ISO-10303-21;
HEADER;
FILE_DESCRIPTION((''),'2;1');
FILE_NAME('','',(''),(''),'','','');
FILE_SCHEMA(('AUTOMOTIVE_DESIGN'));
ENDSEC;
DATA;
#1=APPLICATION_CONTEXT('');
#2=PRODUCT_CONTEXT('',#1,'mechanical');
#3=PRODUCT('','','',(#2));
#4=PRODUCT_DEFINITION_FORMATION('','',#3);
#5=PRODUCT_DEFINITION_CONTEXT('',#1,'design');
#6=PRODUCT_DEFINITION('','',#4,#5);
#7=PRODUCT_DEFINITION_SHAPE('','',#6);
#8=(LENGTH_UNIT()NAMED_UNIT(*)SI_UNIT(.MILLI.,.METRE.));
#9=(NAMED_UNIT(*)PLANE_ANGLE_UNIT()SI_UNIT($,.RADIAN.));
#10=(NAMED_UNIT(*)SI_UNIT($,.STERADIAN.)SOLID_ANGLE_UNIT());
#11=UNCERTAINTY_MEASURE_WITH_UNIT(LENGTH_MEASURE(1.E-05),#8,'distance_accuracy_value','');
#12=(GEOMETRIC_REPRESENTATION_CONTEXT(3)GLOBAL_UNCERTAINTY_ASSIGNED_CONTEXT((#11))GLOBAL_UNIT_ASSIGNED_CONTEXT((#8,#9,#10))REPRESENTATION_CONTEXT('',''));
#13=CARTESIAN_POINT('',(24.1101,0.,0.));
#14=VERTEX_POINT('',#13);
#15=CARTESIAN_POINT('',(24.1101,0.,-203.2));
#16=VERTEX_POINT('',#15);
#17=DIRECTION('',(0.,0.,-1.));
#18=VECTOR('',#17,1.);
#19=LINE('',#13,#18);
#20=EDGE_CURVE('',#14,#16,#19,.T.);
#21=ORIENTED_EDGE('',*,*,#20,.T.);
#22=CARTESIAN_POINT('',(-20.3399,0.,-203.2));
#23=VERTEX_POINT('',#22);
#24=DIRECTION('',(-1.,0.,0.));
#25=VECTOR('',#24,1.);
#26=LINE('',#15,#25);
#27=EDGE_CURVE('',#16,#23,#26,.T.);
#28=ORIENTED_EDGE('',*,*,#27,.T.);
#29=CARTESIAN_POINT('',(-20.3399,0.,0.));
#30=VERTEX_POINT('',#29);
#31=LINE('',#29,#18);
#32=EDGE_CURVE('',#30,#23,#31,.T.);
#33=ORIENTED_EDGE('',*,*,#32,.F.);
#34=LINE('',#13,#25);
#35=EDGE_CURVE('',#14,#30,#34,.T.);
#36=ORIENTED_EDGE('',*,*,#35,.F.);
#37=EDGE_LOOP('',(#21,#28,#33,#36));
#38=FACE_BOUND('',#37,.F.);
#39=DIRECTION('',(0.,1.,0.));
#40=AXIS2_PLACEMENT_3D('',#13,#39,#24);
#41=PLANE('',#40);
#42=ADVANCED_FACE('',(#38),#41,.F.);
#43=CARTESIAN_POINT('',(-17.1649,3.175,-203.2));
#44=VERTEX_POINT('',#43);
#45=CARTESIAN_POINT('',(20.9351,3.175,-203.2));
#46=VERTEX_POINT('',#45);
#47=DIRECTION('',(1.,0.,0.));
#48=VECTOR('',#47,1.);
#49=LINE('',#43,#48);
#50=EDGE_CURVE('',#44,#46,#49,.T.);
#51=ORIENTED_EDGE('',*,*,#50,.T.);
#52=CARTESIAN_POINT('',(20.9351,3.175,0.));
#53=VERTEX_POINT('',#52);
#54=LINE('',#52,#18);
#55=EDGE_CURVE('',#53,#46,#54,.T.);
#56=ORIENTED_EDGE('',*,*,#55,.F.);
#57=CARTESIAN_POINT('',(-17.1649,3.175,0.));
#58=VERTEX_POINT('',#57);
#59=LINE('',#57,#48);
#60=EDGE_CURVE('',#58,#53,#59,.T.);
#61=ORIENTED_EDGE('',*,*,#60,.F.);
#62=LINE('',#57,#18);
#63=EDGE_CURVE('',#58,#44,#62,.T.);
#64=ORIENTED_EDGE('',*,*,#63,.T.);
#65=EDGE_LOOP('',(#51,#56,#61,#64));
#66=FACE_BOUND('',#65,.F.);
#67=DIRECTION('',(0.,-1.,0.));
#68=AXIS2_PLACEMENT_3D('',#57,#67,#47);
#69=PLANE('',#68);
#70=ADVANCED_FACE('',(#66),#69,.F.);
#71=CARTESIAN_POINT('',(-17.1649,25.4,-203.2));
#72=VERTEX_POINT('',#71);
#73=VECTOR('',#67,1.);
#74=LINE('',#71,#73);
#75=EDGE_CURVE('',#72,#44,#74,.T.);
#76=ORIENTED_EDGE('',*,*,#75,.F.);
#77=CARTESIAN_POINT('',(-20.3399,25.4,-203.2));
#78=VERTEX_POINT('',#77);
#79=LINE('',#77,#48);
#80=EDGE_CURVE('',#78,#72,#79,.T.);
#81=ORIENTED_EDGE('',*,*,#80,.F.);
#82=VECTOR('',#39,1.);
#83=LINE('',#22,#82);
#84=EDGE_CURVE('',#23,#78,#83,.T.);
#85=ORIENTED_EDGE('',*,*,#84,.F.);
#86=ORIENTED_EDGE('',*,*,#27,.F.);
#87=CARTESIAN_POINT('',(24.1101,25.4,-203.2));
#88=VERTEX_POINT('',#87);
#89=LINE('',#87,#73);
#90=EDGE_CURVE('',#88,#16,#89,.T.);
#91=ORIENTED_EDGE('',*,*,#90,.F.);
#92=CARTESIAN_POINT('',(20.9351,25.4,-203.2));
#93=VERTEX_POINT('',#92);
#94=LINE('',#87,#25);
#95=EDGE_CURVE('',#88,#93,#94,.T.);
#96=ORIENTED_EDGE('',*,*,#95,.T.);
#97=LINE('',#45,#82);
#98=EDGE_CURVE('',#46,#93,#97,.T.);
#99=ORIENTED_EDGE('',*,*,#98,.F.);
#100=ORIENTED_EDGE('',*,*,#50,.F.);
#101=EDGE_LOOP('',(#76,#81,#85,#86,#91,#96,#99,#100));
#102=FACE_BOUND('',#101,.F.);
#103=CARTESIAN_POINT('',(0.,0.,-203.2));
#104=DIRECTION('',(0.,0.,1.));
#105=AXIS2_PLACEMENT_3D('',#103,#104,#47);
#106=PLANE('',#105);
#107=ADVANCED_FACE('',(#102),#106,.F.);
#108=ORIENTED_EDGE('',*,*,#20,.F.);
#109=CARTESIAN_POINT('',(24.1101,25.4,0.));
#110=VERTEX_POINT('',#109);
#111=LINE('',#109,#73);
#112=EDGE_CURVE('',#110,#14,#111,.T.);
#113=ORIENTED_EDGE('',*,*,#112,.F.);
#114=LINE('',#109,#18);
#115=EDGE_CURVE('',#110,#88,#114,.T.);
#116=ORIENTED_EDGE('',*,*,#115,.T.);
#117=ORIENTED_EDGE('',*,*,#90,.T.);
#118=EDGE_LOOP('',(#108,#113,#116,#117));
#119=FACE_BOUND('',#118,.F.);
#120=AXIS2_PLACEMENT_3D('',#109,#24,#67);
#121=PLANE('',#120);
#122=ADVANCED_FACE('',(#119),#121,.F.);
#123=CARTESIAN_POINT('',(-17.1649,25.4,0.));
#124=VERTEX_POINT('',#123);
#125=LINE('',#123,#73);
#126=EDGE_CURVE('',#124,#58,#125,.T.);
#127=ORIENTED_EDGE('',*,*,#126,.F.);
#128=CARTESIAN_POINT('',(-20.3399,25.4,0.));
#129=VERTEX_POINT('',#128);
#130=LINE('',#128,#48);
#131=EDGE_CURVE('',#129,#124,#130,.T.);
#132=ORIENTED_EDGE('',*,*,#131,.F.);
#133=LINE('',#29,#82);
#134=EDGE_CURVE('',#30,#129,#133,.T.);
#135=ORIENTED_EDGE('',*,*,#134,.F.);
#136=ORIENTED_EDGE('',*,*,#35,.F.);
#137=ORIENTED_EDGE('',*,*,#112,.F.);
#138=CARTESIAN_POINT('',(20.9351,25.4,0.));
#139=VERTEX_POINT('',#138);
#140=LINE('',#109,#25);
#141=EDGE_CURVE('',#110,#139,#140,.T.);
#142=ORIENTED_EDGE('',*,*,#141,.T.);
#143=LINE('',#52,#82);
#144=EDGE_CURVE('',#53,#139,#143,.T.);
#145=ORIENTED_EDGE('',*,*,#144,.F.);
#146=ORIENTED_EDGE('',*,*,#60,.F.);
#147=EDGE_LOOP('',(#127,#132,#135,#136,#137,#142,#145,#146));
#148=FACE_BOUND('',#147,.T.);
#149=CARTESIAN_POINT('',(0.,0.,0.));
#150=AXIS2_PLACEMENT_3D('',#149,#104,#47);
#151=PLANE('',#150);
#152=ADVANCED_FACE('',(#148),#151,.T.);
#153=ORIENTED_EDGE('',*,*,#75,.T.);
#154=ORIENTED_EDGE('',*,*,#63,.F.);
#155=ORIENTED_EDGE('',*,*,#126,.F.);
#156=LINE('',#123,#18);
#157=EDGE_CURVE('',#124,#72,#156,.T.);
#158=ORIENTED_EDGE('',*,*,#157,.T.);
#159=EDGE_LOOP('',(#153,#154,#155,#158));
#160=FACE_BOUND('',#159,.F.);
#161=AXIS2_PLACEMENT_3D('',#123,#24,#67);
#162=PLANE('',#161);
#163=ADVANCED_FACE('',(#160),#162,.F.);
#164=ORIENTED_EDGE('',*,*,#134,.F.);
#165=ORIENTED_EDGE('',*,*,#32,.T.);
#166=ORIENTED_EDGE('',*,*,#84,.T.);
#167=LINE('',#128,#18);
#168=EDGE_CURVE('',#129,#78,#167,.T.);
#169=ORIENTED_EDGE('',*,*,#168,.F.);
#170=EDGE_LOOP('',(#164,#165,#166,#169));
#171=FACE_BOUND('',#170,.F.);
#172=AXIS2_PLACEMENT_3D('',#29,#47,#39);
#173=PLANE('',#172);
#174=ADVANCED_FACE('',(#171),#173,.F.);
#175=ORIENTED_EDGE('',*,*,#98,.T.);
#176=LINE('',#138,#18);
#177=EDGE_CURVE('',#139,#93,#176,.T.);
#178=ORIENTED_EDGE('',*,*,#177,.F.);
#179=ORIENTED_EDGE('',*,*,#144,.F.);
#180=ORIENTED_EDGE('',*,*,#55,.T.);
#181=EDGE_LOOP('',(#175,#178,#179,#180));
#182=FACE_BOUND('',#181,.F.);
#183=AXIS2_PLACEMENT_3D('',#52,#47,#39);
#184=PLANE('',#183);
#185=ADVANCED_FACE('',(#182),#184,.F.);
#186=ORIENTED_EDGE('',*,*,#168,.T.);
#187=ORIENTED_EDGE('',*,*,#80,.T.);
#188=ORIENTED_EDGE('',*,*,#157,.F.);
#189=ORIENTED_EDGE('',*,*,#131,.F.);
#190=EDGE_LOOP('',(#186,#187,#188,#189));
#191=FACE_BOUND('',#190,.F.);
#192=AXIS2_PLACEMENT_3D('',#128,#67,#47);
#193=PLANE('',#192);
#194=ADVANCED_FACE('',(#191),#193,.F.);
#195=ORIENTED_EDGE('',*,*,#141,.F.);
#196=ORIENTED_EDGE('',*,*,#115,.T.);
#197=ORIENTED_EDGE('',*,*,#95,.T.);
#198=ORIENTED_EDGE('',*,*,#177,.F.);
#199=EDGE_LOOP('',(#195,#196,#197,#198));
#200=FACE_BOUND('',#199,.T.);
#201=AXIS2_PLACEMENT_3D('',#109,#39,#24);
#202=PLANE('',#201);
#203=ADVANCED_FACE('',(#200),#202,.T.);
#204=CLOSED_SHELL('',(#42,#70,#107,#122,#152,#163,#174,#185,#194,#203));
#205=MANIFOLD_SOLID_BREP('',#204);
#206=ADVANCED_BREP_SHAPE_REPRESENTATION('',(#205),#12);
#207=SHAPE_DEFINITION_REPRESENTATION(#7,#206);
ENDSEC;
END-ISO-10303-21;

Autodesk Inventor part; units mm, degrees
ref_plane "YZ Plane" through (0, 0, 0) normal (1, 0, 0) x (0, 1, 0)
ref_plane "XZ Plane" through (0, 0, 0) normal (0, 1, 0) x (-1, 0, 0)
ref_plane "XY Plane" through (0, 0, 0) normal (0, 0, 1) x (1, 0, 0)
sketch "Sketch1" plane through (0, 0, 0) normal (0, 0, 1) x (1, 0, 0)
  line L0 (24.1101, 25.4) -> (24.1101, 0)
  line L1 (24.1101, 0) -> (-20.3399, 0)
  line L2 (-20.3399, 0) -> (-20.3399, 25.4)
  line L3 (-17.1649, 25.4) -> (-17.1649, 3.175)
  line L4 (-17.1649, 3.175) -> (20.9351, 3.175)
  line L5 (20.9351, 3.175) -> (20.9351, 25.4)
  line L6 (-20.3399, 25.4) -> (-17.1649, 25.4)
  line L7 (24.1101, 25.4) -> (20.9351, 25.4)
  point P0 (0, 0)
  dimension "d0" = 44.45
  dimension "d1" = 25.4
  dimension "d2" = 3.175
extrude "Extrusion1" add sketch "Sketch1" against normal blind 203.2
properties part number "angle channel"
